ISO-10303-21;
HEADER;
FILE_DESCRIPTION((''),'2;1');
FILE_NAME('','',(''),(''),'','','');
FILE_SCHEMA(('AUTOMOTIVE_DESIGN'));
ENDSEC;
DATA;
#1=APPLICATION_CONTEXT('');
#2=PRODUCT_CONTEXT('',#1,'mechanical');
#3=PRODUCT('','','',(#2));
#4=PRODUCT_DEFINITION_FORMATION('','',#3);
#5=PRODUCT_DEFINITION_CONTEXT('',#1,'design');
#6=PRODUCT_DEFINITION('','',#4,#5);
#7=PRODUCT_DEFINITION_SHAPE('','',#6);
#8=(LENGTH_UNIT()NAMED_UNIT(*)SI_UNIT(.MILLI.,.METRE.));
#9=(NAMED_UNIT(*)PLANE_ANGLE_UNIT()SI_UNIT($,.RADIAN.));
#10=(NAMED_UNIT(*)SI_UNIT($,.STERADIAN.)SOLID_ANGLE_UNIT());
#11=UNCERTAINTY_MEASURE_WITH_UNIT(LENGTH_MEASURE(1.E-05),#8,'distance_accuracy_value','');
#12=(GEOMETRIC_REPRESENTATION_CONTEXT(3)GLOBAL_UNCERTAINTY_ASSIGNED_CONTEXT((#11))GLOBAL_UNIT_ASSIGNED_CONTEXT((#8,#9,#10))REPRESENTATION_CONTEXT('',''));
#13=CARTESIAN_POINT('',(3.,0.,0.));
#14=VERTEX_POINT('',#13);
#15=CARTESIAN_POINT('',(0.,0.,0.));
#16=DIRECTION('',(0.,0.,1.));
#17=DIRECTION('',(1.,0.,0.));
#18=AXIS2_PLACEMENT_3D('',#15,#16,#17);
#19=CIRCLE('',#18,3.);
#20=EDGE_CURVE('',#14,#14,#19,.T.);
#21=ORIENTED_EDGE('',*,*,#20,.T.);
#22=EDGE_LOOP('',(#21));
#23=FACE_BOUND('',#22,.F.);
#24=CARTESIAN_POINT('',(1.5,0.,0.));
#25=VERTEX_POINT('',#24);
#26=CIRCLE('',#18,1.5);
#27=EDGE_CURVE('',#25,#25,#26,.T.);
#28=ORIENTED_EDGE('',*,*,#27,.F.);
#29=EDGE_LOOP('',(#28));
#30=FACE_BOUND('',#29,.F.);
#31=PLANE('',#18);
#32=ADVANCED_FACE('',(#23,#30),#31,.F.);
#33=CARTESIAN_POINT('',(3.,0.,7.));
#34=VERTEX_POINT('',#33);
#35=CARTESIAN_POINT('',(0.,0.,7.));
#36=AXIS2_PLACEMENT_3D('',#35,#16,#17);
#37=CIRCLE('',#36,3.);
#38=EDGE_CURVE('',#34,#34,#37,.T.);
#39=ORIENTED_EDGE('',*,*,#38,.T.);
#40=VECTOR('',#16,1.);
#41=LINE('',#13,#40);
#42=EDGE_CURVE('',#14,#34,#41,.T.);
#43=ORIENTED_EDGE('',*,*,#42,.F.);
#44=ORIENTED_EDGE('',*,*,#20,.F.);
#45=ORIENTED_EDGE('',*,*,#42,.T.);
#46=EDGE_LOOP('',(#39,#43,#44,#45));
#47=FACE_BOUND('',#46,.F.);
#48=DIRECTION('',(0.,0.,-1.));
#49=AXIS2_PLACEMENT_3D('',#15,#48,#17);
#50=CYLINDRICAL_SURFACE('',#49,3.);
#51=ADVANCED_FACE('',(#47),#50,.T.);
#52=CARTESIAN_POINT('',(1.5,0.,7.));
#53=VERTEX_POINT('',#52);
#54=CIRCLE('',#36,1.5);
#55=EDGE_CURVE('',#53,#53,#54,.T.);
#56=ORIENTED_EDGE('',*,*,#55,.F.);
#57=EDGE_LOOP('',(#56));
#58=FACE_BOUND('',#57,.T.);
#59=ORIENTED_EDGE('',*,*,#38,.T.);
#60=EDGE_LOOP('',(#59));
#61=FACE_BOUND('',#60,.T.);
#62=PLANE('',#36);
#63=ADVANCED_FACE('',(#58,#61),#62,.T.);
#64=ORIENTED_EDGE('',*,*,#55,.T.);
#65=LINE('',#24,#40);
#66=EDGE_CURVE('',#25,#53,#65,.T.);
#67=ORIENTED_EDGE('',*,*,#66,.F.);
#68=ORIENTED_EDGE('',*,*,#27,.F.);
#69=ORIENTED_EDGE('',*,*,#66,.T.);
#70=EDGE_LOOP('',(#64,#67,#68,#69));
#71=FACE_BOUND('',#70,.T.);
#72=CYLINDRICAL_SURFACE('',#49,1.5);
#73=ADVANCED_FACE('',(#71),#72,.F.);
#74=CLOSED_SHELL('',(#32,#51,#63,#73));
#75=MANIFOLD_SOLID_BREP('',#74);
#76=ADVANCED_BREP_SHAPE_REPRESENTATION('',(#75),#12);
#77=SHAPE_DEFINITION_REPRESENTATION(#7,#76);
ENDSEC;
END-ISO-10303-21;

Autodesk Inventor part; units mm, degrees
ref_plane "YZ Plane" through (0, 0, 0) normal (1, 0, 0) x (0, 1, 0)
ref_plane "XZ Plane" through (0, 0, 0) normal (0, 1, 0) x (-1, 0, 0)
ref_plane "XY Plane" through (0, 0, 0) normal (0, 0, 1) x (1, 0, 0)
sketch "スケッチ1" plane through (0, 0, 0) normal (0, 0, 1) x (1, 0, 0)
  circle A0 centre (0, 0) radius 3
  circle A1 centre (0, 0) radius 1.5
  dimension "d0" = 6
  dimension "d1" = 3
extrude "押し出し1" add sketch "スケッチ1" along normal blind 7
properties part number "ABSスペーサーm3-7　簡易筒型" material "ABS プラスチック"
